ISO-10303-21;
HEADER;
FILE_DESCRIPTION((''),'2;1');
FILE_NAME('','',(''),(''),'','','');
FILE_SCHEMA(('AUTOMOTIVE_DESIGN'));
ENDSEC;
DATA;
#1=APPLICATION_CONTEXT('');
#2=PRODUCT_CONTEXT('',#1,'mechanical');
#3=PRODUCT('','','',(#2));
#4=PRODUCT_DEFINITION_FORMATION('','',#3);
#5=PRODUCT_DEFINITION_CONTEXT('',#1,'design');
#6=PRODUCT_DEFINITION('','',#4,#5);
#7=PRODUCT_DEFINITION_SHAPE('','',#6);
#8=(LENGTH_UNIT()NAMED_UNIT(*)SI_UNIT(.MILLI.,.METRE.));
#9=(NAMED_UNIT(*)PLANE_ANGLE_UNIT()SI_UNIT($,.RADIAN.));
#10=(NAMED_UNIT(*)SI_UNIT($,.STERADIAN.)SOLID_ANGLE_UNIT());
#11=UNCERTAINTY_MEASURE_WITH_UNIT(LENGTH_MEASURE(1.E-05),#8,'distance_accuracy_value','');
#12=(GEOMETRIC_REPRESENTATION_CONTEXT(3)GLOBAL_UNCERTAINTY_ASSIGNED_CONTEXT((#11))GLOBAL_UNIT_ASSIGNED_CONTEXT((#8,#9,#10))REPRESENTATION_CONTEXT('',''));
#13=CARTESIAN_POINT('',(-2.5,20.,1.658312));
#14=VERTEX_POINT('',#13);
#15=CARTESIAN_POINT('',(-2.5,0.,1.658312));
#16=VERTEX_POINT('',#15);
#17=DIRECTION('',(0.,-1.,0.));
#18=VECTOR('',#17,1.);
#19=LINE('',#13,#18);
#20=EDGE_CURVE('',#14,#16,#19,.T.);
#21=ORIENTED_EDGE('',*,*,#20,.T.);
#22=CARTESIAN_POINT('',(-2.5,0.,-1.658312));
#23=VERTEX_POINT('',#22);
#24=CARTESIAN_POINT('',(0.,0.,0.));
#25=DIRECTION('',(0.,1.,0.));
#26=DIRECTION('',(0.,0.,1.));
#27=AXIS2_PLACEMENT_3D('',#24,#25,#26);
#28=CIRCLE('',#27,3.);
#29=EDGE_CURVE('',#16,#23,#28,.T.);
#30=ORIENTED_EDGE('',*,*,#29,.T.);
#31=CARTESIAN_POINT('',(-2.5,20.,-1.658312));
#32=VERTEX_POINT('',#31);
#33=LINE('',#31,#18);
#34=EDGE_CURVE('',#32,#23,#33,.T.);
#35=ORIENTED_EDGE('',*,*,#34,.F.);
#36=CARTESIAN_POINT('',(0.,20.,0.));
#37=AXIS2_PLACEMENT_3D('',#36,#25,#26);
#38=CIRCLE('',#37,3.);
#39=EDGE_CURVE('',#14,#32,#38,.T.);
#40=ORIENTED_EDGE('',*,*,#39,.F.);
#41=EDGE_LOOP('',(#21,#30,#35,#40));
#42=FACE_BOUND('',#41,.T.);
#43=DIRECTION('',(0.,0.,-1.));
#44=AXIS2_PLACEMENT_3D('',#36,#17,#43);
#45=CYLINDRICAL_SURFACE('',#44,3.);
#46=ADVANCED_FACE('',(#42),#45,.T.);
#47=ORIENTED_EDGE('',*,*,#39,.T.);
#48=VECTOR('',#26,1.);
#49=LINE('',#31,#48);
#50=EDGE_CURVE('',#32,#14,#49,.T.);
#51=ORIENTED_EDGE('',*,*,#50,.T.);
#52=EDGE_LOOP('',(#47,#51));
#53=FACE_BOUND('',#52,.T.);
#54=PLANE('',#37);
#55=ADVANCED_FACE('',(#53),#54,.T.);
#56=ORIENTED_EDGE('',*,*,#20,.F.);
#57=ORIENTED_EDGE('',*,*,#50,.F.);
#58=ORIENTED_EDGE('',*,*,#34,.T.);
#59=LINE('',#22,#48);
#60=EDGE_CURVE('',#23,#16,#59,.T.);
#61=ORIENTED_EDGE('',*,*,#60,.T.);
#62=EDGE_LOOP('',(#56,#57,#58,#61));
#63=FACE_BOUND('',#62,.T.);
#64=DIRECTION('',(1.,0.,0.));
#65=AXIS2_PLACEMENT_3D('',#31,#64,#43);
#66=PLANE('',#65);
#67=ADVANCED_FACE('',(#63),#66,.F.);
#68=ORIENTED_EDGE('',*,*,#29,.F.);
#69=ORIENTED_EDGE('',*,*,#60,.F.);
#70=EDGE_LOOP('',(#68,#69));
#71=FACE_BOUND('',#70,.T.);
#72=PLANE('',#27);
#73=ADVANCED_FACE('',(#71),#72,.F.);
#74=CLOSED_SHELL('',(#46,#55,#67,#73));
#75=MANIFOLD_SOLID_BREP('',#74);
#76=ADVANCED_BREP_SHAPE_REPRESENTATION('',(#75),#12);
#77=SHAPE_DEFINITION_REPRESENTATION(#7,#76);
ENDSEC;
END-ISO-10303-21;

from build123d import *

# Parameters (mm, degrees)
BOSS_EXTRUDE1_DEPTH = 20


with BuildPart() as part:
    # Sketch1 → Boss-Extrude1 (new body)
    with BuildSketch(Plane(origin=(0, 0, 0), x_dir=(1, 0, 0), z_dir=(0, 1, 0))):
        with BuildLine():
            Line((-2.5, 1.658312395), (-2.5, -1.658312395))
            ThreePointArc((-2.5, -1.658312395), (3, 0), (-2.5, 1.658312395))
        make_face()
    extrude(amount=BOSS_EXTRUDE1_DEPTH)


solid = part.part
